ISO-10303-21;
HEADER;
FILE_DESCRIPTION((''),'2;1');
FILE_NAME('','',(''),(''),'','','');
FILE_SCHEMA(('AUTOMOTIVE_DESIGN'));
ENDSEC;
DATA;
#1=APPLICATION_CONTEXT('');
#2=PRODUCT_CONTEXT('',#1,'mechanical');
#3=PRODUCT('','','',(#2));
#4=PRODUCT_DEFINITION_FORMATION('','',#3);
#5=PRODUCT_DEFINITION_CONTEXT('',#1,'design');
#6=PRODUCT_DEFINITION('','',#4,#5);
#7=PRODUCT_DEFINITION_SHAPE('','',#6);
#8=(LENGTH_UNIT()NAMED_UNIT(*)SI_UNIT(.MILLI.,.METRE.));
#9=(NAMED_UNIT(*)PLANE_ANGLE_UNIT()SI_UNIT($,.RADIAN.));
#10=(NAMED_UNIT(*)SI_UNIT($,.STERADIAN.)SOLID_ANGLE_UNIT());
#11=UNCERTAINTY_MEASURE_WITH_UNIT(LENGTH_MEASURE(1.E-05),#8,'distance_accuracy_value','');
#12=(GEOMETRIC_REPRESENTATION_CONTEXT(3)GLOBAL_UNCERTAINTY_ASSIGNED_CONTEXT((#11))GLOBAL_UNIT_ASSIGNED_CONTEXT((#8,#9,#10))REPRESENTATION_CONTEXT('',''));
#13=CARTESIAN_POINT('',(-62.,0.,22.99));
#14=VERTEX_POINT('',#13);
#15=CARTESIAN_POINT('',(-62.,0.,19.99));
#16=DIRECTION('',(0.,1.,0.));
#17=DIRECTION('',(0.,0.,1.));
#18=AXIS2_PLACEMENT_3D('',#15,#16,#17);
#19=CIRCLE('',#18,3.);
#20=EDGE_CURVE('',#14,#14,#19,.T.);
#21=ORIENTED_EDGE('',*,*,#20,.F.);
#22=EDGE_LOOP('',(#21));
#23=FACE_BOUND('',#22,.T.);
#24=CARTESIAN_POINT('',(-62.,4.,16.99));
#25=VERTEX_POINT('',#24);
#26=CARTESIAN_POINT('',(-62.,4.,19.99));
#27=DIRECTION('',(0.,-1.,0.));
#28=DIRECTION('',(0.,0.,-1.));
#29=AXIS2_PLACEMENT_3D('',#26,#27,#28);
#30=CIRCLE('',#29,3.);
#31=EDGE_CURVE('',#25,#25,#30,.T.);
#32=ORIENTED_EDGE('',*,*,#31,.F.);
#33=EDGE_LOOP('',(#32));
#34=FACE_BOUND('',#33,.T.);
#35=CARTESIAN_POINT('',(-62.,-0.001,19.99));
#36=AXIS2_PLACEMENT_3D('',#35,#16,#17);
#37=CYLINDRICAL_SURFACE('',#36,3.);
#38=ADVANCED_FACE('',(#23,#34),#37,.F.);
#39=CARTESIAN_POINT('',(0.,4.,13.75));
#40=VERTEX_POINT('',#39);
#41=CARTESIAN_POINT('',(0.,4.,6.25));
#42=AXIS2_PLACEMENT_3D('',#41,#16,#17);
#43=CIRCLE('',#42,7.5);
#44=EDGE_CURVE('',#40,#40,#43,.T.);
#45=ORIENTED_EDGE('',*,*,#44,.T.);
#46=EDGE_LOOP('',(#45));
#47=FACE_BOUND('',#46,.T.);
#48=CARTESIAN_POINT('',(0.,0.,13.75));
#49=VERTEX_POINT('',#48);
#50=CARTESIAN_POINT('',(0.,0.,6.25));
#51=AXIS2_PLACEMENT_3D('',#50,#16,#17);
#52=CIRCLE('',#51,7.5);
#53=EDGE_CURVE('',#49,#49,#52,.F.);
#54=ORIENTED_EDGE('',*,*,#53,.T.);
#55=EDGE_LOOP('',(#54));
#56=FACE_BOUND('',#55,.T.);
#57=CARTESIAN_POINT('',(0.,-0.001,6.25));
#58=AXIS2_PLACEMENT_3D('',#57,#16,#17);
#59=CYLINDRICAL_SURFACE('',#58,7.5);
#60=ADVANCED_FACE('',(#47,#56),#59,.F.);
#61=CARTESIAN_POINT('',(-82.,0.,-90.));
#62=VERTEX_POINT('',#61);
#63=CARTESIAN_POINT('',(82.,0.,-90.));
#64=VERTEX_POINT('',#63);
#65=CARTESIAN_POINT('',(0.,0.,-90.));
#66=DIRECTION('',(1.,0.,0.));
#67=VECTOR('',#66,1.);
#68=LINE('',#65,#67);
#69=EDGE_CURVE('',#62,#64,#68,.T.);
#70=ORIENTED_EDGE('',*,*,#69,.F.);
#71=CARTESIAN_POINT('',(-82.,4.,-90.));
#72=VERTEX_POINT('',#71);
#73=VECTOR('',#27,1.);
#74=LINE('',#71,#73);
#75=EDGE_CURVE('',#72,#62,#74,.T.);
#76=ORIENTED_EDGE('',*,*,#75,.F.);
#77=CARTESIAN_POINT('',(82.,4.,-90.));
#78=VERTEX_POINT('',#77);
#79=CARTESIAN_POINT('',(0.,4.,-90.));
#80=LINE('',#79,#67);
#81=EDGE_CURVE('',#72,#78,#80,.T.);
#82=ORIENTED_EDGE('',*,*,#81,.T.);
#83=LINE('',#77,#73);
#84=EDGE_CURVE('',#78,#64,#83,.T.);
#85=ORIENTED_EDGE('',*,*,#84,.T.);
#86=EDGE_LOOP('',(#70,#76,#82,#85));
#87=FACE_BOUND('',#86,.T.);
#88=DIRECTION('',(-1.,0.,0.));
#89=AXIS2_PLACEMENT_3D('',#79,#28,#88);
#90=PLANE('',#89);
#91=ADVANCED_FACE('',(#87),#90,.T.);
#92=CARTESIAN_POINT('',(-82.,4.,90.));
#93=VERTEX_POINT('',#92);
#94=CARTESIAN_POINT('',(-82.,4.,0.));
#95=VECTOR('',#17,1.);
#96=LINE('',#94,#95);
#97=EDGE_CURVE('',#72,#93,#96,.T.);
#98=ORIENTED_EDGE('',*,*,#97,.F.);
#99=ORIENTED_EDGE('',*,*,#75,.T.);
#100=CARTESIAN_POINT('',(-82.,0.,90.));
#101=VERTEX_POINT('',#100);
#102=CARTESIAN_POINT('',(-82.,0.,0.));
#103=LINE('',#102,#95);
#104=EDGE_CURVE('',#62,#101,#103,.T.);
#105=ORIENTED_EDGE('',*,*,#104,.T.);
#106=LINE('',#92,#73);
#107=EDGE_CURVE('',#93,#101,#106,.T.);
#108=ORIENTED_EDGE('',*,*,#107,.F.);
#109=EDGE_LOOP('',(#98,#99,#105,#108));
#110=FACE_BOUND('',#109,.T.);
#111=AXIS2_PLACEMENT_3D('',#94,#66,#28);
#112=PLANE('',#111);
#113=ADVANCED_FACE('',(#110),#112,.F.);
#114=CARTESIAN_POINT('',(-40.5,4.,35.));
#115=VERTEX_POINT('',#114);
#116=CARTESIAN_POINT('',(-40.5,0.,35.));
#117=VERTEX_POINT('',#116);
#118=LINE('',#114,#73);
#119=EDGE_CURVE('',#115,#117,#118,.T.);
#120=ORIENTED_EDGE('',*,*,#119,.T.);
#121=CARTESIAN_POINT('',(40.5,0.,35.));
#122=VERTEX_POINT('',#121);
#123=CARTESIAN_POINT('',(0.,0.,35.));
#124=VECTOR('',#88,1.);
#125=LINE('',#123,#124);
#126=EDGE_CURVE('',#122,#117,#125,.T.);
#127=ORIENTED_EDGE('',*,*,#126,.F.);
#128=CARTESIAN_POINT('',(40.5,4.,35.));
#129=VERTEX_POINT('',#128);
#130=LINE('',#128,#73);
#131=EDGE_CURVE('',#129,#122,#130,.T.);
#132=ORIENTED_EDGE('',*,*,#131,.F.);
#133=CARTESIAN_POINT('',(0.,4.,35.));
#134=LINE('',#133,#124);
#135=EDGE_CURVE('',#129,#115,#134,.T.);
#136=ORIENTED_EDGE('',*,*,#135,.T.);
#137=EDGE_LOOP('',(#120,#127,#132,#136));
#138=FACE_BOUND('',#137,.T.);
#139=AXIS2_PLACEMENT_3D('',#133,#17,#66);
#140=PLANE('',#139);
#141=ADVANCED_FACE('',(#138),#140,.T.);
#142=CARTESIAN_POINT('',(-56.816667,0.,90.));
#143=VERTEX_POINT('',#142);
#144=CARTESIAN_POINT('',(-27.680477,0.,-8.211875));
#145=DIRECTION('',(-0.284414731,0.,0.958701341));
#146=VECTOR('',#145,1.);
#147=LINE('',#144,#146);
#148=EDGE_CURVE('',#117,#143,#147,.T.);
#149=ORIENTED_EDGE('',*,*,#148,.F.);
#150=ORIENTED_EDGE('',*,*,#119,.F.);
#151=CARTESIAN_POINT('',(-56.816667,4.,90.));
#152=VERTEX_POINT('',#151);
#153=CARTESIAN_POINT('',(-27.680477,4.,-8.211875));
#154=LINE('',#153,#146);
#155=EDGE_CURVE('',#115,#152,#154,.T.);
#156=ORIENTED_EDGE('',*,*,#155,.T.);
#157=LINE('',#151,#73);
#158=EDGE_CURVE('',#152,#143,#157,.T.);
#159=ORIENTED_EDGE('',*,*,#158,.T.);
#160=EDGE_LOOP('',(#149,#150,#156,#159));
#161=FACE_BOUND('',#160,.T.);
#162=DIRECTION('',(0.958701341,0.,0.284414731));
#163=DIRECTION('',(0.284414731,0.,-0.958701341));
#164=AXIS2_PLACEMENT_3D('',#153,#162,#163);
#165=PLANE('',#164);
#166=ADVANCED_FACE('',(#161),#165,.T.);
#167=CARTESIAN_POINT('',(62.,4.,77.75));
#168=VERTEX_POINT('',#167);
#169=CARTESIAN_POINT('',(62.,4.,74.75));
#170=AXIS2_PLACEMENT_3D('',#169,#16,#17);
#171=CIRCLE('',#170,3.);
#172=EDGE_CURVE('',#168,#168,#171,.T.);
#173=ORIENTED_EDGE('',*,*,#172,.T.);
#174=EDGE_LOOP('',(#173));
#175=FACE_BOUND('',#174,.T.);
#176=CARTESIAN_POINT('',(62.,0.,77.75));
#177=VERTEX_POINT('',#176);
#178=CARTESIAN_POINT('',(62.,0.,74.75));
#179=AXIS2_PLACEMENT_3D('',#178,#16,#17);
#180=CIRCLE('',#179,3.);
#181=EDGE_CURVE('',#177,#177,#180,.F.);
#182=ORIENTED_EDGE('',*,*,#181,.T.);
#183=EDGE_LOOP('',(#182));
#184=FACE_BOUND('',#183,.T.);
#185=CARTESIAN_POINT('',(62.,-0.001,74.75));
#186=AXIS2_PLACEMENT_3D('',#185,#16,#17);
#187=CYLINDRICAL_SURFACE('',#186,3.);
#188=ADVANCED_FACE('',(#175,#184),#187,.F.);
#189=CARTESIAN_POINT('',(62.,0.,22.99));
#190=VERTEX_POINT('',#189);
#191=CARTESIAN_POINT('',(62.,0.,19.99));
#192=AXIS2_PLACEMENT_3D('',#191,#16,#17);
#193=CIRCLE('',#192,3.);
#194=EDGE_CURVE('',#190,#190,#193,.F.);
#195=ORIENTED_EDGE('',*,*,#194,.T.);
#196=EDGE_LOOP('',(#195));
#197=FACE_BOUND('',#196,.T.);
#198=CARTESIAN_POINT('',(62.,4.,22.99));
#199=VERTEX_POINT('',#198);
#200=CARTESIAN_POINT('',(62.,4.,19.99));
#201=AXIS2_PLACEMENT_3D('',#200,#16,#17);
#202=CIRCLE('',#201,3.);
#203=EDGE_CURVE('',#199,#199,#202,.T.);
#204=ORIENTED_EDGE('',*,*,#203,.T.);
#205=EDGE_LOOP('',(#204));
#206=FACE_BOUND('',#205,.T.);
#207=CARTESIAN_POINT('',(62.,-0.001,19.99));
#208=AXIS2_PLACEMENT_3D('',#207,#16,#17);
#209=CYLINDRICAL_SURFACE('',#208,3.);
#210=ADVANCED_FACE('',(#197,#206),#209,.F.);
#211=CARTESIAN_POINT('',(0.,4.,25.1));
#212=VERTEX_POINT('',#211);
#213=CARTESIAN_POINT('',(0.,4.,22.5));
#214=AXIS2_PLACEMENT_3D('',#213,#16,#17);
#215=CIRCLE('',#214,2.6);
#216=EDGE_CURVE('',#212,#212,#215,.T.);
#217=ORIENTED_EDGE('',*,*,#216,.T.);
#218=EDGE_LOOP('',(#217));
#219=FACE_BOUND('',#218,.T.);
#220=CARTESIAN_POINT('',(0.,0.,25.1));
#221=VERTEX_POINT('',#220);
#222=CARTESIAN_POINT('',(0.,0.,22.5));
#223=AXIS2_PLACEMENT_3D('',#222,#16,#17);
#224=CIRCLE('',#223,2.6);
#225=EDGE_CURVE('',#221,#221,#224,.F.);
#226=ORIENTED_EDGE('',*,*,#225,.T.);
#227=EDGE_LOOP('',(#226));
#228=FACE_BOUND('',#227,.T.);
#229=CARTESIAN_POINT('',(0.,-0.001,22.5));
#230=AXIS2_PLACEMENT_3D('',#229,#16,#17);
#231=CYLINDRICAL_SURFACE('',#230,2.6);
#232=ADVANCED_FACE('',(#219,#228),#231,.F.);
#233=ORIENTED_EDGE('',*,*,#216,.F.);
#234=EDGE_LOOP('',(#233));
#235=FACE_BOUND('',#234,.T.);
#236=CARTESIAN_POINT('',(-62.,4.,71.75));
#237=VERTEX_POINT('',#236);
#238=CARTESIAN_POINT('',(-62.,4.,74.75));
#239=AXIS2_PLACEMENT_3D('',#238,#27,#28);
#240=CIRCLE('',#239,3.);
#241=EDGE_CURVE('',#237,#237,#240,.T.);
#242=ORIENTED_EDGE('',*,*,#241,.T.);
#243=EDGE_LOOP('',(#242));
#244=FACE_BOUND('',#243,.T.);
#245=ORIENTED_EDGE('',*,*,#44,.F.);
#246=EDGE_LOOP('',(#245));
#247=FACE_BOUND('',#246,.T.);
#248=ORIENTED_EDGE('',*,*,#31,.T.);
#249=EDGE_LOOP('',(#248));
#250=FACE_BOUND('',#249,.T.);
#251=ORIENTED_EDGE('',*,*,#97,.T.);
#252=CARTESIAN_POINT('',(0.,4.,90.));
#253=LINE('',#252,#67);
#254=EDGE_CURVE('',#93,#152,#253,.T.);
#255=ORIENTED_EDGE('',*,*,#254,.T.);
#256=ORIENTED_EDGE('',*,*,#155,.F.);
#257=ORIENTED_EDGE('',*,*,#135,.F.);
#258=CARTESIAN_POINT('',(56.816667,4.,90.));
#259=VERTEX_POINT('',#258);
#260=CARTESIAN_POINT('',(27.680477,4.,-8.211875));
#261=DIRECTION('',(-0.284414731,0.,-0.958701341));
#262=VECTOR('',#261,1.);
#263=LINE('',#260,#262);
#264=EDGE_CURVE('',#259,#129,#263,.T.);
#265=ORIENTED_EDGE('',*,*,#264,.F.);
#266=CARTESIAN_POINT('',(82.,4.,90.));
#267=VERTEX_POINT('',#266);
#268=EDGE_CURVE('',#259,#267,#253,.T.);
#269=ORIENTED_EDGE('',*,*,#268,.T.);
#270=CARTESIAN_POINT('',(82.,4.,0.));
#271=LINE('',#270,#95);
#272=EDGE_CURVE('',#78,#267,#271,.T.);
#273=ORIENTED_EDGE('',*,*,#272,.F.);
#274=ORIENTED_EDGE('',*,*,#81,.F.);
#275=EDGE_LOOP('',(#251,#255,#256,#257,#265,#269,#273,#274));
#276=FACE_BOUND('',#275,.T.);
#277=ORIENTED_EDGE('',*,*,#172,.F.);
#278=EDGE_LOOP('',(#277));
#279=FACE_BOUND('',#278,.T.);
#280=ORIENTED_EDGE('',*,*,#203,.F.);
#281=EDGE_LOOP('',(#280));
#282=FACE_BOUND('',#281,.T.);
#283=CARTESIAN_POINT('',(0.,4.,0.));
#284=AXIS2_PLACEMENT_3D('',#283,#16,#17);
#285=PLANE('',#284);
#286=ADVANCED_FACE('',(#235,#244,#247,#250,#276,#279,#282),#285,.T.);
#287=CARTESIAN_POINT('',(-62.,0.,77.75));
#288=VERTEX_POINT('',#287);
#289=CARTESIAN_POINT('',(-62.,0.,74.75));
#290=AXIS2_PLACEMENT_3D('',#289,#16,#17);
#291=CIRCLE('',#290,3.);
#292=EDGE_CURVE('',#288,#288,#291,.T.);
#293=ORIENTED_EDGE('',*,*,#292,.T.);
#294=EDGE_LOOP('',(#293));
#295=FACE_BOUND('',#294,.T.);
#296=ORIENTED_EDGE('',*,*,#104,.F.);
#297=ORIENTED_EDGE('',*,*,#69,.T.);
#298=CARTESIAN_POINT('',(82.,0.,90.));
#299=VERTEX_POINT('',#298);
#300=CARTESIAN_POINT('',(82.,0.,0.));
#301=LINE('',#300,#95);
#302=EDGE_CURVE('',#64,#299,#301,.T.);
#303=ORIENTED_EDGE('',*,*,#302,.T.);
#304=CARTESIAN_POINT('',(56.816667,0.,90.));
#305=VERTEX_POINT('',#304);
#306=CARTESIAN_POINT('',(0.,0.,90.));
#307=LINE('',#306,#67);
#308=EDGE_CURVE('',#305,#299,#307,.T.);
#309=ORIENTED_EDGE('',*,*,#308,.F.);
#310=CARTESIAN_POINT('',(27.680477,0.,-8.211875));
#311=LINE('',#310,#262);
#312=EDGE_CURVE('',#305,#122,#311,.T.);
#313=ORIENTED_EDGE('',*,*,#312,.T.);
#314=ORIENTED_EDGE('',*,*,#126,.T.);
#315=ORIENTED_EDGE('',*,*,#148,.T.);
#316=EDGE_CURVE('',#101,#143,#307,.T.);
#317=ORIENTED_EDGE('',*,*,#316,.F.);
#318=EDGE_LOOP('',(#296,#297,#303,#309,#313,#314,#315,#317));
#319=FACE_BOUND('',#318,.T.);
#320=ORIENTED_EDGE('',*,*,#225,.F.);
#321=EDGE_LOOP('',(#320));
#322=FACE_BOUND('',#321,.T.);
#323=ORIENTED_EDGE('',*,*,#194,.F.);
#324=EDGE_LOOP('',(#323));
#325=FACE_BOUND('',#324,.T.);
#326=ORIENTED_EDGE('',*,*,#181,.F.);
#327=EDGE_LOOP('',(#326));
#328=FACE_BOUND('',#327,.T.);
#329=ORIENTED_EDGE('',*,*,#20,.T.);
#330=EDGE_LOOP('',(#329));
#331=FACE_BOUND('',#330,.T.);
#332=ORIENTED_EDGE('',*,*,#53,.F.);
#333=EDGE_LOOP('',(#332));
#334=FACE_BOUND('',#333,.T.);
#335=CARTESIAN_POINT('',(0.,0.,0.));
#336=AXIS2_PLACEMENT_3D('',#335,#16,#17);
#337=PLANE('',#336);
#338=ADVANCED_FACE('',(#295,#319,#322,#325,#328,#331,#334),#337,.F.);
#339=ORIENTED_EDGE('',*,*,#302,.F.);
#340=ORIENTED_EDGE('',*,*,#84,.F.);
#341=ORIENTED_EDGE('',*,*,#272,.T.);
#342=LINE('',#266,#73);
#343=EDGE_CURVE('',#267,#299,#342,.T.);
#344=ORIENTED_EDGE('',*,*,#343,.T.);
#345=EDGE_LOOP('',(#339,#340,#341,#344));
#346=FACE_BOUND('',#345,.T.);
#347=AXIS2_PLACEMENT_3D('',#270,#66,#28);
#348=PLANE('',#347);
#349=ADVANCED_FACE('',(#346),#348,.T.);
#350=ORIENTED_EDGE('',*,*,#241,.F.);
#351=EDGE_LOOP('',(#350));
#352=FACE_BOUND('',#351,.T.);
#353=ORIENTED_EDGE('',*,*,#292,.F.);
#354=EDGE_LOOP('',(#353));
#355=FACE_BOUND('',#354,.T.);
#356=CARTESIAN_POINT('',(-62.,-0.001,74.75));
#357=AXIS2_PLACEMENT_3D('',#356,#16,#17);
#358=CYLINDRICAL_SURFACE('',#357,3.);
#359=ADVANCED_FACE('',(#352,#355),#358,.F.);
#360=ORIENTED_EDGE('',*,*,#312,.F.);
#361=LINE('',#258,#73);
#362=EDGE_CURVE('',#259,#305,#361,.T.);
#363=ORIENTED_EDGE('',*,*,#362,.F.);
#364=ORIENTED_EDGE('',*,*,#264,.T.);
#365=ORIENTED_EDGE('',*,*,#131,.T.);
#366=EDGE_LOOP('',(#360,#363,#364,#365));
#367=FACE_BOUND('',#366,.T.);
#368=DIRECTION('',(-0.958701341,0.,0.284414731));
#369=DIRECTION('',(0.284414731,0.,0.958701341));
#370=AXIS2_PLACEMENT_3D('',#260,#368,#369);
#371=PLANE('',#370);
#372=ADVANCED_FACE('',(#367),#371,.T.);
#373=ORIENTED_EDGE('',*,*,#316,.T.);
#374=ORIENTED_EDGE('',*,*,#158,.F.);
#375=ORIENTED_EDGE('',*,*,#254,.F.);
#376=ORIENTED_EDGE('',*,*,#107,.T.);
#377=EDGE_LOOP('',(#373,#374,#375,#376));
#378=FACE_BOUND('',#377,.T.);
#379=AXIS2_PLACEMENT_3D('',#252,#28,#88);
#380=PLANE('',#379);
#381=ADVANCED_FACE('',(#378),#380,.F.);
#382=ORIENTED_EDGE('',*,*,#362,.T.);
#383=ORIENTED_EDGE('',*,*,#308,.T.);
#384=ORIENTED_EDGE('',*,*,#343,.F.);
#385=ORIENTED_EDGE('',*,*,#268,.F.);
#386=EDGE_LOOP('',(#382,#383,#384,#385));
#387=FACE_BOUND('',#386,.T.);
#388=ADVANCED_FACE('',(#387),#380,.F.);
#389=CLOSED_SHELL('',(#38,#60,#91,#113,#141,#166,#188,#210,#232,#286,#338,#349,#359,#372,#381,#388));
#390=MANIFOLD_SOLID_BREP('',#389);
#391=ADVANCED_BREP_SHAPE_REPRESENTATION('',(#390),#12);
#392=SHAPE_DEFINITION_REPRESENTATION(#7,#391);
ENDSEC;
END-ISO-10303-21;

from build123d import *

# Parameters (mm, degrees)
BOSS_EXTRUDE3_DEPTH = 4
CUT_EXTRUDE3_REACH  = 6
SKETCH5_R           = 3
SKETCH5_R_2         = 7.5
SKETCH5_R_3         = 2.6


with BuildPart() as part:
    # Sketch1 → Boss-Extrude3 (new body)
    with BuildSketch(Plane(origin=(0, 0, 0), x_dir=(1, 0, 0), z_dir=(0, 1, 0))):
        Polygon((40.5, -35), (56.816666667, -90), (82, -90), (82, 90), (-82, 90), (-82, -90), (-56.816666667, -90), (-40.5, -35), align=None)
    extrude(amount=BOSS_EXTRUDE3_DEPTH)

    # Sketch5 → Cut-Extrude3 (cut, up to next)
    with BuildSketch(Plane(origin=(0, 4, 0), x_dir=(1, 0, 0), z_dir=(0, 1, 0)), mode=Mode.PRIVATE) as cut_extrude3_sk1:
        with Locations((62, -74.75)):
            Circle(SKETCH5_R)
    cut_extrude3_tool1 = extrude(cut_extrude3_sk1.sketch, amount=-CUT_EXTRUDE3_REACH, mode=Mode.PRIVATE) & part.part
    add(cut_extrude3_tool1.solids().sort_by_distance((62, 4, 74.75))[0], mode=Mode.SUBTRACT)
    # Sketch5 → Cut-Extrude3 (cut, up to next)
    with BuildSketch(Plane(origin=(0, 4, 0), x_dir=(1, 0, 0), z_dir=(0, 1, 0)), mode=Mode.PRIVATE) as cut_extrude3_sk2:
        with Locations((62, -19.99)):
            Circle(SKETCH5_R)
    cut_extrude3_tool2 = extrude(cut_extrude3_sk2.sketch, amount=-CUT_EXTRUDE3_REACH, mode=Mode.PRIVATE) & part.part
    add(cut_extrude3_tool2.solids().sort_by_distance((62, 4, 19.99))[0], mode=Mode.SUBTRACT)
    # Sketch5 → Cut-Extrude3 (cut, up to next)
    with BuildSketch(Plane(origin=(0, 4, 0), x_dir=(1, 0, 0), z_dir=(0, 1, 0)), mode=Mode.PRIVATE) as cut_extrude3_sk3:
        with Locations((-62, -74.75)):
            Circle(SKETCH5_R)
    cut_extrude3_tool3 = extrude(cut_extrude3_sk3.sketch, amount=-CUT_EXTRUDE3_REACH, mode=Mode.PRIVATE) & part.part
    add(cut_extrude3_tool3.solids().sort_by_distance((-62, 4, 74.75))[0], mode=Mode.SUBTRACT)
    # Sketch5 → Cut-Extrude3 (cut, up to next)
    with BuildSketch(Plane(origin=(0, 4, 0), x_dir=(1, 0, 0), z_dir=(0, 1, 0)), mode=Mode.PRIVATE) as cut_extrude3_sk4:
        with Locations((-62, -19.99)):
            Circle(SKETCH5_R)
    cut_extrude3_tool4 = extrude(cut_extrude3_sk4.sketch, amount=-CUT_EXTRUDE3_REACH, mode=Mode.PRIVATE) & part.part
    add(cut_extrude3_tool4.solids().sort_by_distance((-62, 4, 19.99))[0], mode=Mode.SUBTRACT)
    # Sketch5 → Cut-Extrude3 (cut, up to next)
    with BuildSketch(Plane(origin=(0, 4, 0), x_dir=(1, 0, 0), z_dir=(0, 1, 0)), mode=Mode.PRIVATE) as cut_extrude3_sk5:
        with Locations((0, -6.25)):
            Circle(SKETCH5_R_2)
    cut_extrude3_tool5 = extrude(cut_extrude3_sk5.sketch, amount=-CUT_EXTRUDE3_REACH, mode=Mode.PRIVATE) & part.part
    add(cut_extrude3_tool5.solids().sort_by_distance((0, 4, 6.25))[0], mode=Mode.SUBTRACT)
    # Sketch5 → Cut-Extrude3 (cut, up to next)
    with BuildSketch(Plane(origin=(0, 4, 0), x_dir=(1, 0, 0), z_dir=(0, 1, 0)), mode=Mode.PRIVATE) as cut_extrude3_sk6:
        with Locations((0, -22.5)):
            Circle(SKETCH5_R_3)
    cut_extrude3_tool6 = extrude(cut_extrude3_sk6.sketch, amount=-CUT_EXTRUDE3_REACH, mode=Mode.PRIVATE) & part.part
    add(cut_extrude3_tool6.solids().sort_by_distance((0, 4, 22.5))[0], mode=Mode.SUBTRACT)


solid = part.part
